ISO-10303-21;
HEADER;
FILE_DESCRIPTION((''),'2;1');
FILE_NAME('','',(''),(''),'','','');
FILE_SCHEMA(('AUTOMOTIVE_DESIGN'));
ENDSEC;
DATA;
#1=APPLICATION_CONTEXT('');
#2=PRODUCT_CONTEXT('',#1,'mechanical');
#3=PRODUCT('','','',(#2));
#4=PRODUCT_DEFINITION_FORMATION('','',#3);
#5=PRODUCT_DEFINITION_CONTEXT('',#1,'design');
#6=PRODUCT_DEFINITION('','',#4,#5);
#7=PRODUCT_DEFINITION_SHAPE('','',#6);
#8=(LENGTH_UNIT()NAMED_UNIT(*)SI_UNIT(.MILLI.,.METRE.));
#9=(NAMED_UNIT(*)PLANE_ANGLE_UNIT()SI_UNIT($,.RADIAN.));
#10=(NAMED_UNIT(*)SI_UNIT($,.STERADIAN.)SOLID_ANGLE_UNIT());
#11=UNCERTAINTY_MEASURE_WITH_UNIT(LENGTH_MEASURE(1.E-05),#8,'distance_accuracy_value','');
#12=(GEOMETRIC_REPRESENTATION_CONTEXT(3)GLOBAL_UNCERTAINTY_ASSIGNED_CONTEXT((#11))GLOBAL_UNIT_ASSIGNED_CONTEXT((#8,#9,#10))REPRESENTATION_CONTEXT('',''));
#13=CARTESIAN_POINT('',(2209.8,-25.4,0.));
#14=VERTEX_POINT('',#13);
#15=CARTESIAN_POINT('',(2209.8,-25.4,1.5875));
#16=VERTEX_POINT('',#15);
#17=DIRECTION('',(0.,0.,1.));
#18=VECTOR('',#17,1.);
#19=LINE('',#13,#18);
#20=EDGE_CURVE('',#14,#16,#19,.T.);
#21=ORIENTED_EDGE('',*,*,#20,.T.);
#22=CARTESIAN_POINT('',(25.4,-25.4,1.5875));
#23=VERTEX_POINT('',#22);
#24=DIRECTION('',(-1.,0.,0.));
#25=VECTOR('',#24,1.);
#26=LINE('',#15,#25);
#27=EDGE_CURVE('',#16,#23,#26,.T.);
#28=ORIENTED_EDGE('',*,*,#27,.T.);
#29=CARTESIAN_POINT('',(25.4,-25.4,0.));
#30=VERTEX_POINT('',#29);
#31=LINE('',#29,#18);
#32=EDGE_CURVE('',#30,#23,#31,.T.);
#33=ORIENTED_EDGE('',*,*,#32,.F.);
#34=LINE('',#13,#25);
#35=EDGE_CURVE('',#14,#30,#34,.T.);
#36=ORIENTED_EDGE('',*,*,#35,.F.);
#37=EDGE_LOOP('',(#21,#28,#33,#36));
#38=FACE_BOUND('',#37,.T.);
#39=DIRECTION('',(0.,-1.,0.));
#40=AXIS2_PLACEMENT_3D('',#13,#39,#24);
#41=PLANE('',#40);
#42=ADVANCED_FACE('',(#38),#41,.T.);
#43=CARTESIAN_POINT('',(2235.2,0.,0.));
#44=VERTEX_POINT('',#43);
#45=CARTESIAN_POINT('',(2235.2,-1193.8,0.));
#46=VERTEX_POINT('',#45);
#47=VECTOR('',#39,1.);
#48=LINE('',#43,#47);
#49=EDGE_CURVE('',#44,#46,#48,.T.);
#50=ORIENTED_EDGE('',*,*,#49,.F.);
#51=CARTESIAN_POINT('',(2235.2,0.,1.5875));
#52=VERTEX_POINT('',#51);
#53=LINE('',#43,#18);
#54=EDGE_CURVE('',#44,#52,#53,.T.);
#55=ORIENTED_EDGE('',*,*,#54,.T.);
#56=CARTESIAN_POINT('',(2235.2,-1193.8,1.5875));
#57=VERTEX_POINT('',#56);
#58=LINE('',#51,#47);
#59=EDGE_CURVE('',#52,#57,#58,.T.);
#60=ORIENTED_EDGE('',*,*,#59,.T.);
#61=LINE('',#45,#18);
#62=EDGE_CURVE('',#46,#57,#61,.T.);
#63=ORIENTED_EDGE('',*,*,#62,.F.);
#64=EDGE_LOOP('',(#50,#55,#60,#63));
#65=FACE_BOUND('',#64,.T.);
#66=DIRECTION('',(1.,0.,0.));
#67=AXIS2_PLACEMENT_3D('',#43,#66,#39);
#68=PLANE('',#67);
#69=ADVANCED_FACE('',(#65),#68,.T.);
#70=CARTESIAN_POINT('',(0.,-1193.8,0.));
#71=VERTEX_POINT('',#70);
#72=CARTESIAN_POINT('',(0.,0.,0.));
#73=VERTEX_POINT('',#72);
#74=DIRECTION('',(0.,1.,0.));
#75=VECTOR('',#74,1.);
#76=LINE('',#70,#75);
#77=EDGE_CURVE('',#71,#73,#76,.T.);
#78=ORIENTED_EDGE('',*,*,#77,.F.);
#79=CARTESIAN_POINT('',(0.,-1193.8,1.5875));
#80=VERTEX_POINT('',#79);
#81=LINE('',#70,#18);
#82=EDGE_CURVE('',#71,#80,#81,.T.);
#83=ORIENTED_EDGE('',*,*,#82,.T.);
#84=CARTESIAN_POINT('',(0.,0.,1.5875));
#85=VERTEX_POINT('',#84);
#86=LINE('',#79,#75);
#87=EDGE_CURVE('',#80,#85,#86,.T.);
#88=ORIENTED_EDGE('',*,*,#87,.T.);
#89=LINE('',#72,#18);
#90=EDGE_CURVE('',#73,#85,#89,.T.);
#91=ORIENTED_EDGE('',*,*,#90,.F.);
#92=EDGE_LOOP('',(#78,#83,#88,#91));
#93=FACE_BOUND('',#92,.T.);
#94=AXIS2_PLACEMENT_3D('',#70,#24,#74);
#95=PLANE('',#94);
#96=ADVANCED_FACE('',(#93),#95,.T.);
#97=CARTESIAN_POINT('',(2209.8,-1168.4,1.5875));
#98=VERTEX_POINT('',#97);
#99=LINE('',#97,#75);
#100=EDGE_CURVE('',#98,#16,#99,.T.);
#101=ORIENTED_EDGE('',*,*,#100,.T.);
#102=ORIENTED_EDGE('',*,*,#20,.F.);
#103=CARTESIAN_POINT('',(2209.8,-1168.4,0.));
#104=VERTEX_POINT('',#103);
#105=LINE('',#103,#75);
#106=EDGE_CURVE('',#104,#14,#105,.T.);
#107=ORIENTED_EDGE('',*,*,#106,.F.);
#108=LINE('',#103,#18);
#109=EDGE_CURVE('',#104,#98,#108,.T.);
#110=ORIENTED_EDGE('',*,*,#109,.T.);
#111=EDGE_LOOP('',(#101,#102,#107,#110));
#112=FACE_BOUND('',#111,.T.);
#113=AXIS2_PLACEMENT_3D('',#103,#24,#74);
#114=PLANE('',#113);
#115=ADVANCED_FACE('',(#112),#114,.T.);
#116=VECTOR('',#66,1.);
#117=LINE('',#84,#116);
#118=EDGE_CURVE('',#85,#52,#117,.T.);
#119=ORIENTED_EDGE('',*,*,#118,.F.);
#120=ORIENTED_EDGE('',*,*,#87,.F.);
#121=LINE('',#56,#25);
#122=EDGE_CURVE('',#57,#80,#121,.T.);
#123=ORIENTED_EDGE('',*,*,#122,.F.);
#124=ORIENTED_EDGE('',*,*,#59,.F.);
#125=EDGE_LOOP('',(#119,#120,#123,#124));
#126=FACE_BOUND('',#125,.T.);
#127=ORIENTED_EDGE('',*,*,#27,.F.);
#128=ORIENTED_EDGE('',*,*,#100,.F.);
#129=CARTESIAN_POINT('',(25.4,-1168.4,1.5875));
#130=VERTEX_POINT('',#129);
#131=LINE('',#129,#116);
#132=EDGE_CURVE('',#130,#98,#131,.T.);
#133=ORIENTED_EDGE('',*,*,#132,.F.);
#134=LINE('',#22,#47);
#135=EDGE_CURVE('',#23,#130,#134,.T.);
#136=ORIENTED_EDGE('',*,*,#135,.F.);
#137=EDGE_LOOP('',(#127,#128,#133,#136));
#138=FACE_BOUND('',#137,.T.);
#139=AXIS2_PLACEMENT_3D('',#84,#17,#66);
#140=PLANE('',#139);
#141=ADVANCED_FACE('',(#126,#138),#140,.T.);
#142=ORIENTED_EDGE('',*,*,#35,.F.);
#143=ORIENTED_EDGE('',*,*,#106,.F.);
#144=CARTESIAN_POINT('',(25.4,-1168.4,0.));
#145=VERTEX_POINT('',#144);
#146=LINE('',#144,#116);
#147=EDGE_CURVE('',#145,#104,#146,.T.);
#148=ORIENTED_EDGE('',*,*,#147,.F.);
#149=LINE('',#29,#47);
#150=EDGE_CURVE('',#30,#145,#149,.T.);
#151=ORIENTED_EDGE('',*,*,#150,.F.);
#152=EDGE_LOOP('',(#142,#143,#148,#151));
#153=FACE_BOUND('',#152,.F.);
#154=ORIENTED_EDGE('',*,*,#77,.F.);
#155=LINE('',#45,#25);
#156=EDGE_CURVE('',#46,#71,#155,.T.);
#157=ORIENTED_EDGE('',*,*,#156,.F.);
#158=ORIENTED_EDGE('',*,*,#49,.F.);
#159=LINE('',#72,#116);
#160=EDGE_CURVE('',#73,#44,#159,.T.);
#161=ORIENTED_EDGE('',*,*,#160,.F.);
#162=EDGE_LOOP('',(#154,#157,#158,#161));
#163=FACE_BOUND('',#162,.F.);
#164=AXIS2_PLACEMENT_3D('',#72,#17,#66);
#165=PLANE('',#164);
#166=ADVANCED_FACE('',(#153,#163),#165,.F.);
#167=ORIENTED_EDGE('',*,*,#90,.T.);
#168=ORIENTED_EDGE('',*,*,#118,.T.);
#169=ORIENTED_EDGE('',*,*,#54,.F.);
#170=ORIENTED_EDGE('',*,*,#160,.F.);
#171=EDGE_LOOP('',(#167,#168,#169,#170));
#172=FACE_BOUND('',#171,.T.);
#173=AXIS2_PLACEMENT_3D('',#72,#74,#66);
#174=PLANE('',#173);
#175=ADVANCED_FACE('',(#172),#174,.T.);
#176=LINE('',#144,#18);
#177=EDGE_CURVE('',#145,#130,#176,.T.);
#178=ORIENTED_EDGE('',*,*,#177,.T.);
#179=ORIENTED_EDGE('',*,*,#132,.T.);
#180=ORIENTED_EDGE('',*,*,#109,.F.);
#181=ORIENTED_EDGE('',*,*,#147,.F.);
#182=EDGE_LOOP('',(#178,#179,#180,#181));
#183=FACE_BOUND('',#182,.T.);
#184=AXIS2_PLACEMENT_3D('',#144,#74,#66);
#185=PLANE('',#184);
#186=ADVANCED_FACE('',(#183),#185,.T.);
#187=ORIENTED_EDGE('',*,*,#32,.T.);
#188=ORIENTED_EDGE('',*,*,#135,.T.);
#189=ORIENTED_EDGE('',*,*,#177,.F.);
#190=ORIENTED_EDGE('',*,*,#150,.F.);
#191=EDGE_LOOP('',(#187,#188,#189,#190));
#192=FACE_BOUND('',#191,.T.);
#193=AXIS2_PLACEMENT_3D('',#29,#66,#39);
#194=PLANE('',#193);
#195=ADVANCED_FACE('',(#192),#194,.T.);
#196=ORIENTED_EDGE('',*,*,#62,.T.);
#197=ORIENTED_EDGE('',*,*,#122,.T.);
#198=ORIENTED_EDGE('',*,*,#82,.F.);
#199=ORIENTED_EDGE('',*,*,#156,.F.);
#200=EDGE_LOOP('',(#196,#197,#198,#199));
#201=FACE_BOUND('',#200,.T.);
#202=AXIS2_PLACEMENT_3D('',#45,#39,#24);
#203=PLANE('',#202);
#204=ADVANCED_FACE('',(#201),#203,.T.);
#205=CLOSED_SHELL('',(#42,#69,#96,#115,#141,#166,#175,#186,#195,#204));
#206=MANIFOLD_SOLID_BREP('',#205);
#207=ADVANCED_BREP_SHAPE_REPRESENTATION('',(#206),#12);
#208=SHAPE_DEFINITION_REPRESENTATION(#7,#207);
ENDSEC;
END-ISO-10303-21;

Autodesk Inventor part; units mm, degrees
ref_plane "YZ Plane" through (0, 0, 0) normal (1, 0, 0) x (0, 1, 0)
ref_plane "XZ Plane" through (0, 0, 0) normal (0, 1, 0) x (-1, 0, 0)
ref_plane "XY Plane" through (0, 0, 0) normal (0, 0, 1) x (1, 0, 0)
sketch "Sketch1" plane through (0, 0, 0) normal (0, 0, 1) x (1, 0, 0)
  line L0 (0, 0) -> (2235.2, 0)
  line L1 (2235.2, 0) -> (2235.2, -1193.8)
  line L2 (2235.2, -1193.8) -> (0, -1193.8)
  line L3 (0, -1193.8) -> (0, 0)
  line L4 (2209.8, -25.4) -> (25.4, -25.4)
  line L5 (25.4, -25.4) -> (25.4, -1168.4)
  line L6 (25.4, -1168.4) -> (2209.8, -1168.4)
  line L7 (2209.8, -1168.4) -> (2209.8, -25.4)
  dimension "d0" = 2235.2
  dimension "d1" = 1193.8
  dimension "d2" = 25.4
extrude "Extrusion1" add sketch "Sketch1" along normal blind 1.5875
properties part number "GE-12017-01"
